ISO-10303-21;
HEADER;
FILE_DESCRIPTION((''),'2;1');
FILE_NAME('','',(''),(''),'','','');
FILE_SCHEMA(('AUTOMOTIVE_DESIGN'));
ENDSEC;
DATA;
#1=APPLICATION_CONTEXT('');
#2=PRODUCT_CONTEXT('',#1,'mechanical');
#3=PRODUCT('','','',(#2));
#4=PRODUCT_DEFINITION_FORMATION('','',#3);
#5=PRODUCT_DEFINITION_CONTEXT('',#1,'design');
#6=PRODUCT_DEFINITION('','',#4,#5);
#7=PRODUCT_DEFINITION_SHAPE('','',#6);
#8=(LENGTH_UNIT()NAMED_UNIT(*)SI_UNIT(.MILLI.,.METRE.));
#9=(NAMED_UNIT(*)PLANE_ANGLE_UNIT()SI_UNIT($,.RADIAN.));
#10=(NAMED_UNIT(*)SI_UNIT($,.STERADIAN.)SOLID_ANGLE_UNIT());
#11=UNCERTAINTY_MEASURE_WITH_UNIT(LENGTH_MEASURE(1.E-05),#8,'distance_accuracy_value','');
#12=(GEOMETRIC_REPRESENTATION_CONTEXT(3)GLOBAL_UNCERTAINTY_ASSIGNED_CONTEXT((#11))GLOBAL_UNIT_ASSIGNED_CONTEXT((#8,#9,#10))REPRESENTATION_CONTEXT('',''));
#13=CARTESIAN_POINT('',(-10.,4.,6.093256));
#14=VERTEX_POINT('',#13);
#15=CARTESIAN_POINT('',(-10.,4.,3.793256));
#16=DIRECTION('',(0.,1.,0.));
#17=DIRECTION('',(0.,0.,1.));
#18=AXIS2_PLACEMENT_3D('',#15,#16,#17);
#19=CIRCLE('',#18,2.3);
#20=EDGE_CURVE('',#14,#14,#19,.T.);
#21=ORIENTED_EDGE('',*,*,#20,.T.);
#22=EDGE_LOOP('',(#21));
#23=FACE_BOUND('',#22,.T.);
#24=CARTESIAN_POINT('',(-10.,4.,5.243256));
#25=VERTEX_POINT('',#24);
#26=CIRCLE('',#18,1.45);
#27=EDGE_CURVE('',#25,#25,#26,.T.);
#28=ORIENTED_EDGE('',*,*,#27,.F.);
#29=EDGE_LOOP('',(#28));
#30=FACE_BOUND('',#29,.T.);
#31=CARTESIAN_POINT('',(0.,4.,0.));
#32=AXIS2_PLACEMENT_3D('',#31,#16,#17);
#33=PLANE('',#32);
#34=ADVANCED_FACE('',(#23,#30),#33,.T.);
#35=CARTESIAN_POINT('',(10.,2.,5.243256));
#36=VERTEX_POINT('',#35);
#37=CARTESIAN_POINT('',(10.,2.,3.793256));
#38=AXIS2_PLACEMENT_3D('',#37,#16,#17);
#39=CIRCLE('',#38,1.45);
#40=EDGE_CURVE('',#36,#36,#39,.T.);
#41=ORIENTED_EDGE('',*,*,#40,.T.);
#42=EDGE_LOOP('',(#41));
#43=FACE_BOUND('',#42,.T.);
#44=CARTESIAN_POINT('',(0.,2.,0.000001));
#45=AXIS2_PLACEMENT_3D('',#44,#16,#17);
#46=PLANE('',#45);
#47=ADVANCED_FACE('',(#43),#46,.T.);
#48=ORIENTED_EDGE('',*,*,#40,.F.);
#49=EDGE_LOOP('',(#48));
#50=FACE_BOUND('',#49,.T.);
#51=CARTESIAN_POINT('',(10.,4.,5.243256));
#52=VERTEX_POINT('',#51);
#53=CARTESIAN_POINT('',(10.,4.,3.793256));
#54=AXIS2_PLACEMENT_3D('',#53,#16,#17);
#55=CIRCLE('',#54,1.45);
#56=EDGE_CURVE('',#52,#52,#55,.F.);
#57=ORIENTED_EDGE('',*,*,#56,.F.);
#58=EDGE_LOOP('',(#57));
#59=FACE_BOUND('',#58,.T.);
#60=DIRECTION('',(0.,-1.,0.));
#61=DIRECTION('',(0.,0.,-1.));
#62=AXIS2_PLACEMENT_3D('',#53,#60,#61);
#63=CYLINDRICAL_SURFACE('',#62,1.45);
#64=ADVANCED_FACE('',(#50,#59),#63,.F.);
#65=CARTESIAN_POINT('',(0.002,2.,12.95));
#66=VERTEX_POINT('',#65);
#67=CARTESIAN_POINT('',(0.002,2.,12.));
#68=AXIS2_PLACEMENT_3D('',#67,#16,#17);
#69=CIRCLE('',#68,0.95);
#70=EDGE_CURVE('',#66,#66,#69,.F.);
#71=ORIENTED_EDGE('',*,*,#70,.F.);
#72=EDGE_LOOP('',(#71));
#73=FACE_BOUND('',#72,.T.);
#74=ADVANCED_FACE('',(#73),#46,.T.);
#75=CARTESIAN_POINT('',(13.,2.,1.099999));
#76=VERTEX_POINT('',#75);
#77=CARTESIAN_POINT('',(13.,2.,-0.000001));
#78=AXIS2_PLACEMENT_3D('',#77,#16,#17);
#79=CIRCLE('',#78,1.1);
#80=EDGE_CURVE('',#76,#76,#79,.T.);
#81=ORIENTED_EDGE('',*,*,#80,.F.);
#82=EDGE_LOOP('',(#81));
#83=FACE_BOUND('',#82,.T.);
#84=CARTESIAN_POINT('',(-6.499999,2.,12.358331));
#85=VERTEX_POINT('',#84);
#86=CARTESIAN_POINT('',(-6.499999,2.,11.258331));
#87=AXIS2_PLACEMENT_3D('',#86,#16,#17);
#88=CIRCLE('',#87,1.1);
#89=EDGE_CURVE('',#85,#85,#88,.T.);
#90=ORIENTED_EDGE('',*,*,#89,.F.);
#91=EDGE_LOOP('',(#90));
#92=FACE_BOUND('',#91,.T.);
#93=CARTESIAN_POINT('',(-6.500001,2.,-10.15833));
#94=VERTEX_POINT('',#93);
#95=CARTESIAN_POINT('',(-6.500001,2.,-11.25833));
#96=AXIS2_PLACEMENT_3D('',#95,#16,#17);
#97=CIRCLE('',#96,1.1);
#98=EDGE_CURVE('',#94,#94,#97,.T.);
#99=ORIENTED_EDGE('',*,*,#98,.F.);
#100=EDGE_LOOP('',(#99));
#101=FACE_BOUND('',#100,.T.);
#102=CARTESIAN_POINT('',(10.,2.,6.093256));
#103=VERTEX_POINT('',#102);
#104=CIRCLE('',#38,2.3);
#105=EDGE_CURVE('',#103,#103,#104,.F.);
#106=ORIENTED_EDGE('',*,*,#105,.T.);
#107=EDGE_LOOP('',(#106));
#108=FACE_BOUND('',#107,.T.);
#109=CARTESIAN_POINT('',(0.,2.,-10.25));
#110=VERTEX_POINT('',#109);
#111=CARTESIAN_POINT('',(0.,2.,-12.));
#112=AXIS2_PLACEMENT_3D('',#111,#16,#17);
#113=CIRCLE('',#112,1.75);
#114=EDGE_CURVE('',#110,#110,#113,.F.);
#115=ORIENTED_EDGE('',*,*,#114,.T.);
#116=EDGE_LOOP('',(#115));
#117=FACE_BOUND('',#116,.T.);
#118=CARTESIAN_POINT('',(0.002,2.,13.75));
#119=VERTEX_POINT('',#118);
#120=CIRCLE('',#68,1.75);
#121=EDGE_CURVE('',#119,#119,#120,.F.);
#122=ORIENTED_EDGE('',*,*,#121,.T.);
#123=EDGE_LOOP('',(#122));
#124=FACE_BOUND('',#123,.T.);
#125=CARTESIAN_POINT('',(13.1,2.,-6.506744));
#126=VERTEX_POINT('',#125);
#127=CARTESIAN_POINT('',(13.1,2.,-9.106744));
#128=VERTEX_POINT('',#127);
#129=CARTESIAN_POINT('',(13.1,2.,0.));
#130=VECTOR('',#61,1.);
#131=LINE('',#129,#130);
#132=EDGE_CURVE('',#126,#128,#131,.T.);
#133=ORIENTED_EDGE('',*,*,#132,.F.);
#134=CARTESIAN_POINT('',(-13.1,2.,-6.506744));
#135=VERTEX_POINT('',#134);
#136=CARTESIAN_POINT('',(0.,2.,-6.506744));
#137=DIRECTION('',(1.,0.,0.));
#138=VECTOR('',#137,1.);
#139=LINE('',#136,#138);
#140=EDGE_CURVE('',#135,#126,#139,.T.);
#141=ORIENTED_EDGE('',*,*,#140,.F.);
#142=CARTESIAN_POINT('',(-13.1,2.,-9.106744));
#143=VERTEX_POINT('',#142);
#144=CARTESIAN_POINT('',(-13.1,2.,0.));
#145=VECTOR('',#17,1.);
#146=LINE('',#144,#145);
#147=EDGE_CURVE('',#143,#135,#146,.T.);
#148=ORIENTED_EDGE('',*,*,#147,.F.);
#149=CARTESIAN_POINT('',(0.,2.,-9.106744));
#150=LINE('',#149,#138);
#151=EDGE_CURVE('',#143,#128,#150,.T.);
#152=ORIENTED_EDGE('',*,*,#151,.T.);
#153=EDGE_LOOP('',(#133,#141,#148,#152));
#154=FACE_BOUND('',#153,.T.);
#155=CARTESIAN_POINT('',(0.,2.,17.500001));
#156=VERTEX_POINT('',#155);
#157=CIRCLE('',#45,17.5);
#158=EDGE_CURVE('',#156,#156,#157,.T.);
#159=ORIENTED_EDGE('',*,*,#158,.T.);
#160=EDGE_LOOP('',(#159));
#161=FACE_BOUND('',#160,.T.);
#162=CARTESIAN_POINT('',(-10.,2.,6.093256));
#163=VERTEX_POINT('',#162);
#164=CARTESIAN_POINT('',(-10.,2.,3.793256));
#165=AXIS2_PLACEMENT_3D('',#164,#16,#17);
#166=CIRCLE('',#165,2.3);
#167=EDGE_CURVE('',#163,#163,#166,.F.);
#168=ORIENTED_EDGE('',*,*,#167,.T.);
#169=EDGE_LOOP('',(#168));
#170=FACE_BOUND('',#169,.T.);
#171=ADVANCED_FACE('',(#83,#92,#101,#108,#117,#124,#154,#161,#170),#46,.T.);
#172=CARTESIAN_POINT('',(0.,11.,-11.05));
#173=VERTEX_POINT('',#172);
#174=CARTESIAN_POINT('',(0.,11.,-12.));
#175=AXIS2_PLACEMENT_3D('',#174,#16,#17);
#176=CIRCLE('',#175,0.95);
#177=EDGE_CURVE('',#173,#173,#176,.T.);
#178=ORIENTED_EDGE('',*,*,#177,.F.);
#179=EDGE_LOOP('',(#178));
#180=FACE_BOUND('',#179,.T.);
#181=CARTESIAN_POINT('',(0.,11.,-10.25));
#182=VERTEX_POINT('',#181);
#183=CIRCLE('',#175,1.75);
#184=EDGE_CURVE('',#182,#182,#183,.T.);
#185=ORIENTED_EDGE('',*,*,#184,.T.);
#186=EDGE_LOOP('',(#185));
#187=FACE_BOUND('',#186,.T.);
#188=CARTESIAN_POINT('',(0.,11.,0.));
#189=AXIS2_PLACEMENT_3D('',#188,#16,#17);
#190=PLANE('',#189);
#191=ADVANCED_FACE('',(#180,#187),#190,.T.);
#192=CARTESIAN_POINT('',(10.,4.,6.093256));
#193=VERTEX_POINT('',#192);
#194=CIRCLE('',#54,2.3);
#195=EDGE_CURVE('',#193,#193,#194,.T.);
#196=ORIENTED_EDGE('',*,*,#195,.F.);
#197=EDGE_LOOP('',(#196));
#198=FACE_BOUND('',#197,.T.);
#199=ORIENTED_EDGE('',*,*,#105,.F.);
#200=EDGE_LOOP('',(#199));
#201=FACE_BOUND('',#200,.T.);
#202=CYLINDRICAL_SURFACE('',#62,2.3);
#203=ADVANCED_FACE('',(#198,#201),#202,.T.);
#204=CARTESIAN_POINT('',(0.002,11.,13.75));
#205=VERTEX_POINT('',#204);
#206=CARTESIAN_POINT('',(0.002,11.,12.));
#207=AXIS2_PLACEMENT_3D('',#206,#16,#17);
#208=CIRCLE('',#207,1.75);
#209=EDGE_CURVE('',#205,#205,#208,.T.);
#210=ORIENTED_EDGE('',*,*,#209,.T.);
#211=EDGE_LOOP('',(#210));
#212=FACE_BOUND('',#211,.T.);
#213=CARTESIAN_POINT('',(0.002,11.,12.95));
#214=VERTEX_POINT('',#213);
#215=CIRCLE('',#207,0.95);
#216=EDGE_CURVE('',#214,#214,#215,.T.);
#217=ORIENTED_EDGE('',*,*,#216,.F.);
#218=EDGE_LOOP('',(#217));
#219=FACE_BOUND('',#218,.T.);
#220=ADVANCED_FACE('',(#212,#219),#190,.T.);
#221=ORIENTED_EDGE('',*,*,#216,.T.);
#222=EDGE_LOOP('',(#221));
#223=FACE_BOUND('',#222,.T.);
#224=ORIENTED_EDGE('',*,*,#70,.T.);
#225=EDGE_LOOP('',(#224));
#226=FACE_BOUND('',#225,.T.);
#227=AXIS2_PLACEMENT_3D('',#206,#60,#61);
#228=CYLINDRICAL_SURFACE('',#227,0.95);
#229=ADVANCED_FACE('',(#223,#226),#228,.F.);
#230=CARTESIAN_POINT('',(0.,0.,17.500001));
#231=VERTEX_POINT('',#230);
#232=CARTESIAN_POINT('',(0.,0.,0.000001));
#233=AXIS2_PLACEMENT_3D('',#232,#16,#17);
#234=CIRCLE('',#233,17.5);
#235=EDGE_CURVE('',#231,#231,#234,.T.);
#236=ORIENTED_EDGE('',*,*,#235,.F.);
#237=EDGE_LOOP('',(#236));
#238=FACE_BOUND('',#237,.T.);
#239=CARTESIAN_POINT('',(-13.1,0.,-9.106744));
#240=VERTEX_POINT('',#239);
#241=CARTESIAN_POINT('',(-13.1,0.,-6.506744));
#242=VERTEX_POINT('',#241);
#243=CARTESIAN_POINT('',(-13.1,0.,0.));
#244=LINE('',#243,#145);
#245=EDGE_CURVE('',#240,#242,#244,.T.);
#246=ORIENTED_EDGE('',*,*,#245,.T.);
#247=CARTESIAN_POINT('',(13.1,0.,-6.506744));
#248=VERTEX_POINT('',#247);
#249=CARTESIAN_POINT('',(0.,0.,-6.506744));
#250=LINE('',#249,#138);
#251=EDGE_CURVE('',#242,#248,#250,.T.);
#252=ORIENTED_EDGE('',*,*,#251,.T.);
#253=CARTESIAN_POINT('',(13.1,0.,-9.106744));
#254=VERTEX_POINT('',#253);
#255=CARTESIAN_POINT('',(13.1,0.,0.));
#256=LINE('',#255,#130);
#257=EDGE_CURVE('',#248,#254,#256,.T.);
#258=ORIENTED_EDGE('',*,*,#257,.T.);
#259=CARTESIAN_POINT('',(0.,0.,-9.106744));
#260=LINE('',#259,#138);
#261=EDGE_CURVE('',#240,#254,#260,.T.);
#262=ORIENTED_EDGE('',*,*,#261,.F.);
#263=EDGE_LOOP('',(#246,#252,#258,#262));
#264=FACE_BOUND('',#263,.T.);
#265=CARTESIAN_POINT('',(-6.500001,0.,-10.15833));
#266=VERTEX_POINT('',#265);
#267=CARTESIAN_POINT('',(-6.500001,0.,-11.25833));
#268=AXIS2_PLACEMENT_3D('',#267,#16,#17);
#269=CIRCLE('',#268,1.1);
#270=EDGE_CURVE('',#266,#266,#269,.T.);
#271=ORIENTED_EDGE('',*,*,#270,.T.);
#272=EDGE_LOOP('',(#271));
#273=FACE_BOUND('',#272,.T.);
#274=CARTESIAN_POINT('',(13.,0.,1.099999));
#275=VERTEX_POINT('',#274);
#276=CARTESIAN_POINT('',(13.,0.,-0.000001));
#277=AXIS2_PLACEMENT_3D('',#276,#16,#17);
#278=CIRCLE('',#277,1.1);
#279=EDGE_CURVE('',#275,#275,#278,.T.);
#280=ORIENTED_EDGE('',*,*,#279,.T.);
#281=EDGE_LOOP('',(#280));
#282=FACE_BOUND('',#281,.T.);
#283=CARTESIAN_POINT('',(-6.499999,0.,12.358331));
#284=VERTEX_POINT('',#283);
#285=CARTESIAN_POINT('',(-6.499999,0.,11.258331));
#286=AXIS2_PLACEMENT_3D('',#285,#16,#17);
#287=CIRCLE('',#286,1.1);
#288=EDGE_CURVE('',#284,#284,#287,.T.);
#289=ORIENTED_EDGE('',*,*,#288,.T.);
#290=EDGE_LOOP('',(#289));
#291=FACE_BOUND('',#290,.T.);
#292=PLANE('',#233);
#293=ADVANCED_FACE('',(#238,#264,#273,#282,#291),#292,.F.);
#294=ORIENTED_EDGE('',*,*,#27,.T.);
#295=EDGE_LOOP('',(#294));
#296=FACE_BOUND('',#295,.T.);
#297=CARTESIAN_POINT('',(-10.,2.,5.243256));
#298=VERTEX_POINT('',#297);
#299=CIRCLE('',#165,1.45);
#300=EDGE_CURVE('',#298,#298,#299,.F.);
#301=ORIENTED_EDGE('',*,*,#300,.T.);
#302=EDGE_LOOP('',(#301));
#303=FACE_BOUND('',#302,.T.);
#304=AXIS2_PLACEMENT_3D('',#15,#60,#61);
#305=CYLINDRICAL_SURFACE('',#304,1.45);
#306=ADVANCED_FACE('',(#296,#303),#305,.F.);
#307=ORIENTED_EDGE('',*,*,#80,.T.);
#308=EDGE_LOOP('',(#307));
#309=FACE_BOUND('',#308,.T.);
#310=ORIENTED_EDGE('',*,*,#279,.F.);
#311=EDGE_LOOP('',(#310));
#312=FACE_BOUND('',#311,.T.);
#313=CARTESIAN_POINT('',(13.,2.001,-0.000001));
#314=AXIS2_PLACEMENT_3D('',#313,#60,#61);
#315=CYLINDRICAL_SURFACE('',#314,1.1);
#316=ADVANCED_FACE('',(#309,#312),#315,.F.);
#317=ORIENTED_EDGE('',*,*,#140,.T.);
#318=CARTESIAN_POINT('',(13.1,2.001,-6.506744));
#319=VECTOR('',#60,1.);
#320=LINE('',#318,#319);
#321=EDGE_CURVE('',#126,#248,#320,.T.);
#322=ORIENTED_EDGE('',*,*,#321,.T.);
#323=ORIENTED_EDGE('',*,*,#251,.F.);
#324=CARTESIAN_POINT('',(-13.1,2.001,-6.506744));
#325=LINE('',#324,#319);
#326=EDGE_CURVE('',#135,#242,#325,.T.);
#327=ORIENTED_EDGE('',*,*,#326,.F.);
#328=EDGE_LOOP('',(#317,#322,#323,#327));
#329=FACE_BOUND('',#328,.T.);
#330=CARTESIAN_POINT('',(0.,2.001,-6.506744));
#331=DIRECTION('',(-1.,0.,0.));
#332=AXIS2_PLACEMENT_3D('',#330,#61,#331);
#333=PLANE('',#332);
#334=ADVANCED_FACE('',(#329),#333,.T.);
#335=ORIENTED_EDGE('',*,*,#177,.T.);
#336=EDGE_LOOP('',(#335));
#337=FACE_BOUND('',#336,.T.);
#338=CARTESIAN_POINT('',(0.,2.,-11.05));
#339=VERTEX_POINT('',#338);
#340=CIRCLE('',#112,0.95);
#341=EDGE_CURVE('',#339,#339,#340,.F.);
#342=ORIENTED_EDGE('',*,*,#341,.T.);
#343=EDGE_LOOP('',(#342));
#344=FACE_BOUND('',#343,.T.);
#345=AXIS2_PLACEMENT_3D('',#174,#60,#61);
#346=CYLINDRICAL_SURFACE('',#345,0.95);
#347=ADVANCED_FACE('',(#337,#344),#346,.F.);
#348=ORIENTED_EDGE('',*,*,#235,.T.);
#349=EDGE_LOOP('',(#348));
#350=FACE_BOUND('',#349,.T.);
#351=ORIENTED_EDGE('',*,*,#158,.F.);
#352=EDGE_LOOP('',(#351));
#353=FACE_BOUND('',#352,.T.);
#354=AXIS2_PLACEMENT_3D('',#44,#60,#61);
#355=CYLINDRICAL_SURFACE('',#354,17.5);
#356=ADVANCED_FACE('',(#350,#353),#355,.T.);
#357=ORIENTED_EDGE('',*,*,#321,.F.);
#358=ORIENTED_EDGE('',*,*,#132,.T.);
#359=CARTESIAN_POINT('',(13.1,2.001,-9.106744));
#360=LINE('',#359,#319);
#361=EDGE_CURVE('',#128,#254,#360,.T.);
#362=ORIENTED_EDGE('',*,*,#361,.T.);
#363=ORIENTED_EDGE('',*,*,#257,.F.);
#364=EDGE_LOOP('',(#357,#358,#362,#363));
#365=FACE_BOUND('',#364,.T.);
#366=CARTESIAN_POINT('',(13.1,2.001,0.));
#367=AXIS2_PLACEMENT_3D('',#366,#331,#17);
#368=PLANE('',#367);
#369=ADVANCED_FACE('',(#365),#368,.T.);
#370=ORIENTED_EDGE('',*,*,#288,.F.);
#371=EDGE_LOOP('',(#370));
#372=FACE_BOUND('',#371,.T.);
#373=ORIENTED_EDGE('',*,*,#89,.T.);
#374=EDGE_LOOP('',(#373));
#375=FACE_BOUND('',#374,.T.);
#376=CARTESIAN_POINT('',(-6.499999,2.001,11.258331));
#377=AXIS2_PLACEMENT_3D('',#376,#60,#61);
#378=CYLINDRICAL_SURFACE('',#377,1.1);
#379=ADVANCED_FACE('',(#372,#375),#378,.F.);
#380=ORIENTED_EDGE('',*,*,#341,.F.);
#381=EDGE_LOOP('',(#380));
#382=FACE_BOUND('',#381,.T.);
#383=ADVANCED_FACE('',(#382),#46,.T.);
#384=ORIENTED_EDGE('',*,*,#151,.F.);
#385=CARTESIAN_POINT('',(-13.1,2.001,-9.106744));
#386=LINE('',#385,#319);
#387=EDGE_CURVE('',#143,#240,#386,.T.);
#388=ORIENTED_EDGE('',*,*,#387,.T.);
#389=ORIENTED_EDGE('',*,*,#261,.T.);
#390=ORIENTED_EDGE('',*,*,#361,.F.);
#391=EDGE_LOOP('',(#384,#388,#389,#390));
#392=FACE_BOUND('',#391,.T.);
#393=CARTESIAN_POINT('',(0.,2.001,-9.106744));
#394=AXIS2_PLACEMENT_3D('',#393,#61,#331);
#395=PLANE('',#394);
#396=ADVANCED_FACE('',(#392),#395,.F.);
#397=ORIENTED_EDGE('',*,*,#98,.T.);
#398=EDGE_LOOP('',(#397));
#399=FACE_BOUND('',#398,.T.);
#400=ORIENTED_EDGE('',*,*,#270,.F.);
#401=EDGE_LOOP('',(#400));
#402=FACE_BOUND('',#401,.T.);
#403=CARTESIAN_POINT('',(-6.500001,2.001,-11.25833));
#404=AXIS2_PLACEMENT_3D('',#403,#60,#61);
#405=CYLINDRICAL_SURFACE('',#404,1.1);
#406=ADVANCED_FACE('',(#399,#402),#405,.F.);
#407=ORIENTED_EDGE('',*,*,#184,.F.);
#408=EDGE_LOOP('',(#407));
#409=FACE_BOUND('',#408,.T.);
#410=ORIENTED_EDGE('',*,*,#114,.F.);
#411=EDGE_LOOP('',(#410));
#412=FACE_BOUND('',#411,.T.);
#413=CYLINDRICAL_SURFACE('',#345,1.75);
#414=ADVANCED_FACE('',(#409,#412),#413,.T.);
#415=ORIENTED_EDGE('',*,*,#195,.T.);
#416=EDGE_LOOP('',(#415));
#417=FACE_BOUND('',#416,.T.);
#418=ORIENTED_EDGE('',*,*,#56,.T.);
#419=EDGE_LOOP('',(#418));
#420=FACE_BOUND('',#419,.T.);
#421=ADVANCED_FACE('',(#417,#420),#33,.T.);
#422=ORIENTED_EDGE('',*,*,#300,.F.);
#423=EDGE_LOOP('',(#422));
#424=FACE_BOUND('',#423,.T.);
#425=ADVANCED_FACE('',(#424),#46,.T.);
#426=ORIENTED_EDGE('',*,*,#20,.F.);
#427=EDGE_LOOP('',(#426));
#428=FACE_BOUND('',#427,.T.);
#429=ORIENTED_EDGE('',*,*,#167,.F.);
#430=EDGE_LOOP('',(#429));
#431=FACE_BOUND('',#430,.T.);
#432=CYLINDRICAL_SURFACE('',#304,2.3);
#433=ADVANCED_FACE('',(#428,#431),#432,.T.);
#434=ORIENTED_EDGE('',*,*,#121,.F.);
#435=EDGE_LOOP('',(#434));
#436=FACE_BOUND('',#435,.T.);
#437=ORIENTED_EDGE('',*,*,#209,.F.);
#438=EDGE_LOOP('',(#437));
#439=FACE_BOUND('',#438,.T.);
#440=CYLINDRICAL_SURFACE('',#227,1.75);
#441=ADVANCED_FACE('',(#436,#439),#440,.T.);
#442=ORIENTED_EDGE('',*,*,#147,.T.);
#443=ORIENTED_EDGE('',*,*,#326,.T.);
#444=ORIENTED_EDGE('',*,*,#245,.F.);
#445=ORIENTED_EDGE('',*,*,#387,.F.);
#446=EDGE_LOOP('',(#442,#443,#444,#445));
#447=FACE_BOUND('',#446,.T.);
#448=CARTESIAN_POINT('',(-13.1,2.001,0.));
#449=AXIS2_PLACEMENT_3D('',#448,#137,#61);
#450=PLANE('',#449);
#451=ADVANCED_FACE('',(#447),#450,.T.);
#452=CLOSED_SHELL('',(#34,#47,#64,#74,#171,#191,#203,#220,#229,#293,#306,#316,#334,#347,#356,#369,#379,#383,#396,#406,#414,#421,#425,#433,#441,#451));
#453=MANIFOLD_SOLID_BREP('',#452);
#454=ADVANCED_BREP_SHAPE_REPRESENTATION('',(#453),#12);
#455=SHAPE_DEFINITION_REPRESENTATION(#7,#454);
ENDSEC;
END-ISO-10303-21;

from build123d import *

# Parameters (mm, degrees)
SKETCH_1_R          = 17.5
EXTRUDE_1_DEPTH     = 2
CUT_EXTRUDE_2_REACH = 26.829
SKETCH_1_4_W        = 26.2
SKETCH_1_4_H        = 2.6
SKETCH_1_4_R        = 1.1
SKETCH_1_5_R        = 2.3
SKETCH_1_5_R_2      = 1.45
EXTRUDE_2_DEPTH     = 4
SKETCH_1_6_R        = 1.75
SKETCH_1_6_R_2      = 0.95
EXTRUDE_3_DEPTH     = 11


with BuildPart() as part:
    # 草图1 → 凸台-拉伸1 (new body)
    with BuildSketch(Plane(origin=(0, 0, 0), x_dir=(1, 0, 0), z_dir=(0, 1, 0))):
        with Locations(Location((-4.53e-07, -7.66e-07, 0), (0, 0, 270))):
            Circle(SKETCH_1_R)
    extrude(amount=EXTRUDE_1_DEPTH)

    # 草图1<4> → 切除-拉伸2 (cut, up to next)
    with BuildSketch(Plane(origin=(0, 0, 0), x_dir=(1, 0, 0), z_dir=(0, 1, 0)), mode=Mode.PRIVATE) as cut_extrude_2_sk1:
        with Locations((-4.53e-07, 7.806744123)):
            Rectangle(SKETCH_1_4_W, SKETCH_1_4_H)
    cut_extrude_2_tool1 = extrude(cut_extrude_2_sk1.sketch, amount=CUT_EXTRUDE_2_REACH, mode=Mode.PRIVATE) & part.part
    # 草图1<4> → 切除-拉伸2 (cut, up to next)
    with BuildSketch(Plane(origin=(0, 0, 0), x_dir=(1, 0, 0), z_dir=(0, 1, 0)), mode=Mode.PRIVATE) as cut_extrude_2_sk2:
        with Locations(Location((-6.499999337, -11.258330632, 0), (0, 0, 270))):
            Circle(SKETCH_1_4_R)
    cut_extrude_2_tool2 = extrude(cut_extrude_2_sk2.sketch, amount=CUT_EXTRUDE_2_REACH, mode=Mode.PRIVATE) & part.part
    # 草图1<4> → 切除-拉伸2 (cut, up to next)
    with BuildSketch(Plane(origin=(0, 0, 0), x_dir=(1, 0, 0), z_dir=(0, 1, 0)), mode=Mode.PRIVATE) as cut_extrude_2_sk3:
        with Locations(Location((13, 7.66e-07, 0), (0, 0, 270))):
            Circle(SKETCH_1_4_R)
    cut_extrude_2_tool3 = extrude(cut_extrude_2_sk3.sketch, amount=CUT_EXTRUDE_2_REACH, mode=Mode.PRIVATE) & part.part
    # 草图1<4> → 切除-拉伸2 (cut, up to next)
    with BuildSketch(Plane(origin=(0, 0, 0), x_dir=(1, 0, 0), z_dir=(0, 1, 0)), mode=Mode.PRIVATE) as cut_extrude_2_sk4:
        with Locations(Location((-6.500000663, 11.258329866, 0), (0, 0, 270))):
            Circle(SKETCH_1_4_R)
    cut_extrude_2_tool4 = extrude(cut_extrude_2_sk4.sketch, amount=CUT_EXTRUDE_2_REACH, mode=Mode.PRIVATE) & part.part
    add(cut_extrude_2_tool1.solids().sort_by_distance((0, 0, -7.806744))[0], mode=Mode.SUBTRACT)
    add(cut_extrude_2_tool2.solids().sort_by_distance((-6.499999, 0, 11.258331))[0], mode=Mode.SUBTRACT)
    add(cut_extrude_2_tool3.solids().sort_by_distance((13, 0, -1e-06))[0], mode=Mode.SUBTRACT)
    add(cut_extrude_2_tool4.solids().sort_by_distance((-6.500001, 0, -11.25833))[0], mode=Mode.SUBTRACT)

    # 草图1<5> → 凸台-拉伸2 (add)
    # profile 1 of 2: a face of its own
    with BuildSketch(Plane(origin=(0, 0, 0), x_dir=(1, 0, 0), z_dir=(0, 1, 0))):
        with Locations(Location((-10, -3.793255877, 0), (0, 0, 270))):
            Circle(SKETCH_1_5_R)
        with Locations(Location((-10, -3.793255877, 0), (0, 0, 270))):
            Circle(SKETCH_1_5_R_2, mode=Mode.SUBTRACT)
    # profile 2 of 2: a face of its own
    with BuildSketch(Plane(origin=(0, 0, 0), x_dir=(1, 0, 0), z_dir=(0, 1, 0))):
        with Locations(Location((10, -3.793255877, 0), (0, 0, 270))):
            Circle(SKETCH_1_5_R)
        with Locations(Location((10, -3.793255877, 0), (0, 0, 270))):
            Circle(SKETCH_1_5_R_2, mode=Mode.SUBTRACT)
    extrude(amount=EXTRUDE_2_DEPTH)

    # 草图1<6> → 凸台-拉伸3 (add)
    # profile 1 of 2: a face of its own
    with BuildSketch(Plane(origin=(0, 0, 0), x_dir=(1, 0, 0), z_dir=(0, 1, 0))):
        with Locations(Location((0, 12, 0), (0, 0, 270))):
            Circle(SKETCH_1_6_R)
        with Locations(Location((0, 12, 0), (0, 0, 270))):
            Circle(SKETCH_1_6_R_2, mode=Mode.SUBTRACT)
    # profile 2 of 2: a face of its own
    with BuildSketch(Plane(origin=(0, 0, 0), x_dir=(1, 0, 0), z_dir=(0, 1, 0))):
        with Locations(Location((0.002, -12, 0), (0, 0, 270))):
            Circle(SKETCH_1_6_R)
        with Locations(Location((0.002, -12, 0), (0, 0, 270))):
            Circle(SKETCH_1_6_R_2, mode=Mode.SUBTRACT)
    extrude(amount=EXTRUDE_3_DEPTH)


solid = part.part
